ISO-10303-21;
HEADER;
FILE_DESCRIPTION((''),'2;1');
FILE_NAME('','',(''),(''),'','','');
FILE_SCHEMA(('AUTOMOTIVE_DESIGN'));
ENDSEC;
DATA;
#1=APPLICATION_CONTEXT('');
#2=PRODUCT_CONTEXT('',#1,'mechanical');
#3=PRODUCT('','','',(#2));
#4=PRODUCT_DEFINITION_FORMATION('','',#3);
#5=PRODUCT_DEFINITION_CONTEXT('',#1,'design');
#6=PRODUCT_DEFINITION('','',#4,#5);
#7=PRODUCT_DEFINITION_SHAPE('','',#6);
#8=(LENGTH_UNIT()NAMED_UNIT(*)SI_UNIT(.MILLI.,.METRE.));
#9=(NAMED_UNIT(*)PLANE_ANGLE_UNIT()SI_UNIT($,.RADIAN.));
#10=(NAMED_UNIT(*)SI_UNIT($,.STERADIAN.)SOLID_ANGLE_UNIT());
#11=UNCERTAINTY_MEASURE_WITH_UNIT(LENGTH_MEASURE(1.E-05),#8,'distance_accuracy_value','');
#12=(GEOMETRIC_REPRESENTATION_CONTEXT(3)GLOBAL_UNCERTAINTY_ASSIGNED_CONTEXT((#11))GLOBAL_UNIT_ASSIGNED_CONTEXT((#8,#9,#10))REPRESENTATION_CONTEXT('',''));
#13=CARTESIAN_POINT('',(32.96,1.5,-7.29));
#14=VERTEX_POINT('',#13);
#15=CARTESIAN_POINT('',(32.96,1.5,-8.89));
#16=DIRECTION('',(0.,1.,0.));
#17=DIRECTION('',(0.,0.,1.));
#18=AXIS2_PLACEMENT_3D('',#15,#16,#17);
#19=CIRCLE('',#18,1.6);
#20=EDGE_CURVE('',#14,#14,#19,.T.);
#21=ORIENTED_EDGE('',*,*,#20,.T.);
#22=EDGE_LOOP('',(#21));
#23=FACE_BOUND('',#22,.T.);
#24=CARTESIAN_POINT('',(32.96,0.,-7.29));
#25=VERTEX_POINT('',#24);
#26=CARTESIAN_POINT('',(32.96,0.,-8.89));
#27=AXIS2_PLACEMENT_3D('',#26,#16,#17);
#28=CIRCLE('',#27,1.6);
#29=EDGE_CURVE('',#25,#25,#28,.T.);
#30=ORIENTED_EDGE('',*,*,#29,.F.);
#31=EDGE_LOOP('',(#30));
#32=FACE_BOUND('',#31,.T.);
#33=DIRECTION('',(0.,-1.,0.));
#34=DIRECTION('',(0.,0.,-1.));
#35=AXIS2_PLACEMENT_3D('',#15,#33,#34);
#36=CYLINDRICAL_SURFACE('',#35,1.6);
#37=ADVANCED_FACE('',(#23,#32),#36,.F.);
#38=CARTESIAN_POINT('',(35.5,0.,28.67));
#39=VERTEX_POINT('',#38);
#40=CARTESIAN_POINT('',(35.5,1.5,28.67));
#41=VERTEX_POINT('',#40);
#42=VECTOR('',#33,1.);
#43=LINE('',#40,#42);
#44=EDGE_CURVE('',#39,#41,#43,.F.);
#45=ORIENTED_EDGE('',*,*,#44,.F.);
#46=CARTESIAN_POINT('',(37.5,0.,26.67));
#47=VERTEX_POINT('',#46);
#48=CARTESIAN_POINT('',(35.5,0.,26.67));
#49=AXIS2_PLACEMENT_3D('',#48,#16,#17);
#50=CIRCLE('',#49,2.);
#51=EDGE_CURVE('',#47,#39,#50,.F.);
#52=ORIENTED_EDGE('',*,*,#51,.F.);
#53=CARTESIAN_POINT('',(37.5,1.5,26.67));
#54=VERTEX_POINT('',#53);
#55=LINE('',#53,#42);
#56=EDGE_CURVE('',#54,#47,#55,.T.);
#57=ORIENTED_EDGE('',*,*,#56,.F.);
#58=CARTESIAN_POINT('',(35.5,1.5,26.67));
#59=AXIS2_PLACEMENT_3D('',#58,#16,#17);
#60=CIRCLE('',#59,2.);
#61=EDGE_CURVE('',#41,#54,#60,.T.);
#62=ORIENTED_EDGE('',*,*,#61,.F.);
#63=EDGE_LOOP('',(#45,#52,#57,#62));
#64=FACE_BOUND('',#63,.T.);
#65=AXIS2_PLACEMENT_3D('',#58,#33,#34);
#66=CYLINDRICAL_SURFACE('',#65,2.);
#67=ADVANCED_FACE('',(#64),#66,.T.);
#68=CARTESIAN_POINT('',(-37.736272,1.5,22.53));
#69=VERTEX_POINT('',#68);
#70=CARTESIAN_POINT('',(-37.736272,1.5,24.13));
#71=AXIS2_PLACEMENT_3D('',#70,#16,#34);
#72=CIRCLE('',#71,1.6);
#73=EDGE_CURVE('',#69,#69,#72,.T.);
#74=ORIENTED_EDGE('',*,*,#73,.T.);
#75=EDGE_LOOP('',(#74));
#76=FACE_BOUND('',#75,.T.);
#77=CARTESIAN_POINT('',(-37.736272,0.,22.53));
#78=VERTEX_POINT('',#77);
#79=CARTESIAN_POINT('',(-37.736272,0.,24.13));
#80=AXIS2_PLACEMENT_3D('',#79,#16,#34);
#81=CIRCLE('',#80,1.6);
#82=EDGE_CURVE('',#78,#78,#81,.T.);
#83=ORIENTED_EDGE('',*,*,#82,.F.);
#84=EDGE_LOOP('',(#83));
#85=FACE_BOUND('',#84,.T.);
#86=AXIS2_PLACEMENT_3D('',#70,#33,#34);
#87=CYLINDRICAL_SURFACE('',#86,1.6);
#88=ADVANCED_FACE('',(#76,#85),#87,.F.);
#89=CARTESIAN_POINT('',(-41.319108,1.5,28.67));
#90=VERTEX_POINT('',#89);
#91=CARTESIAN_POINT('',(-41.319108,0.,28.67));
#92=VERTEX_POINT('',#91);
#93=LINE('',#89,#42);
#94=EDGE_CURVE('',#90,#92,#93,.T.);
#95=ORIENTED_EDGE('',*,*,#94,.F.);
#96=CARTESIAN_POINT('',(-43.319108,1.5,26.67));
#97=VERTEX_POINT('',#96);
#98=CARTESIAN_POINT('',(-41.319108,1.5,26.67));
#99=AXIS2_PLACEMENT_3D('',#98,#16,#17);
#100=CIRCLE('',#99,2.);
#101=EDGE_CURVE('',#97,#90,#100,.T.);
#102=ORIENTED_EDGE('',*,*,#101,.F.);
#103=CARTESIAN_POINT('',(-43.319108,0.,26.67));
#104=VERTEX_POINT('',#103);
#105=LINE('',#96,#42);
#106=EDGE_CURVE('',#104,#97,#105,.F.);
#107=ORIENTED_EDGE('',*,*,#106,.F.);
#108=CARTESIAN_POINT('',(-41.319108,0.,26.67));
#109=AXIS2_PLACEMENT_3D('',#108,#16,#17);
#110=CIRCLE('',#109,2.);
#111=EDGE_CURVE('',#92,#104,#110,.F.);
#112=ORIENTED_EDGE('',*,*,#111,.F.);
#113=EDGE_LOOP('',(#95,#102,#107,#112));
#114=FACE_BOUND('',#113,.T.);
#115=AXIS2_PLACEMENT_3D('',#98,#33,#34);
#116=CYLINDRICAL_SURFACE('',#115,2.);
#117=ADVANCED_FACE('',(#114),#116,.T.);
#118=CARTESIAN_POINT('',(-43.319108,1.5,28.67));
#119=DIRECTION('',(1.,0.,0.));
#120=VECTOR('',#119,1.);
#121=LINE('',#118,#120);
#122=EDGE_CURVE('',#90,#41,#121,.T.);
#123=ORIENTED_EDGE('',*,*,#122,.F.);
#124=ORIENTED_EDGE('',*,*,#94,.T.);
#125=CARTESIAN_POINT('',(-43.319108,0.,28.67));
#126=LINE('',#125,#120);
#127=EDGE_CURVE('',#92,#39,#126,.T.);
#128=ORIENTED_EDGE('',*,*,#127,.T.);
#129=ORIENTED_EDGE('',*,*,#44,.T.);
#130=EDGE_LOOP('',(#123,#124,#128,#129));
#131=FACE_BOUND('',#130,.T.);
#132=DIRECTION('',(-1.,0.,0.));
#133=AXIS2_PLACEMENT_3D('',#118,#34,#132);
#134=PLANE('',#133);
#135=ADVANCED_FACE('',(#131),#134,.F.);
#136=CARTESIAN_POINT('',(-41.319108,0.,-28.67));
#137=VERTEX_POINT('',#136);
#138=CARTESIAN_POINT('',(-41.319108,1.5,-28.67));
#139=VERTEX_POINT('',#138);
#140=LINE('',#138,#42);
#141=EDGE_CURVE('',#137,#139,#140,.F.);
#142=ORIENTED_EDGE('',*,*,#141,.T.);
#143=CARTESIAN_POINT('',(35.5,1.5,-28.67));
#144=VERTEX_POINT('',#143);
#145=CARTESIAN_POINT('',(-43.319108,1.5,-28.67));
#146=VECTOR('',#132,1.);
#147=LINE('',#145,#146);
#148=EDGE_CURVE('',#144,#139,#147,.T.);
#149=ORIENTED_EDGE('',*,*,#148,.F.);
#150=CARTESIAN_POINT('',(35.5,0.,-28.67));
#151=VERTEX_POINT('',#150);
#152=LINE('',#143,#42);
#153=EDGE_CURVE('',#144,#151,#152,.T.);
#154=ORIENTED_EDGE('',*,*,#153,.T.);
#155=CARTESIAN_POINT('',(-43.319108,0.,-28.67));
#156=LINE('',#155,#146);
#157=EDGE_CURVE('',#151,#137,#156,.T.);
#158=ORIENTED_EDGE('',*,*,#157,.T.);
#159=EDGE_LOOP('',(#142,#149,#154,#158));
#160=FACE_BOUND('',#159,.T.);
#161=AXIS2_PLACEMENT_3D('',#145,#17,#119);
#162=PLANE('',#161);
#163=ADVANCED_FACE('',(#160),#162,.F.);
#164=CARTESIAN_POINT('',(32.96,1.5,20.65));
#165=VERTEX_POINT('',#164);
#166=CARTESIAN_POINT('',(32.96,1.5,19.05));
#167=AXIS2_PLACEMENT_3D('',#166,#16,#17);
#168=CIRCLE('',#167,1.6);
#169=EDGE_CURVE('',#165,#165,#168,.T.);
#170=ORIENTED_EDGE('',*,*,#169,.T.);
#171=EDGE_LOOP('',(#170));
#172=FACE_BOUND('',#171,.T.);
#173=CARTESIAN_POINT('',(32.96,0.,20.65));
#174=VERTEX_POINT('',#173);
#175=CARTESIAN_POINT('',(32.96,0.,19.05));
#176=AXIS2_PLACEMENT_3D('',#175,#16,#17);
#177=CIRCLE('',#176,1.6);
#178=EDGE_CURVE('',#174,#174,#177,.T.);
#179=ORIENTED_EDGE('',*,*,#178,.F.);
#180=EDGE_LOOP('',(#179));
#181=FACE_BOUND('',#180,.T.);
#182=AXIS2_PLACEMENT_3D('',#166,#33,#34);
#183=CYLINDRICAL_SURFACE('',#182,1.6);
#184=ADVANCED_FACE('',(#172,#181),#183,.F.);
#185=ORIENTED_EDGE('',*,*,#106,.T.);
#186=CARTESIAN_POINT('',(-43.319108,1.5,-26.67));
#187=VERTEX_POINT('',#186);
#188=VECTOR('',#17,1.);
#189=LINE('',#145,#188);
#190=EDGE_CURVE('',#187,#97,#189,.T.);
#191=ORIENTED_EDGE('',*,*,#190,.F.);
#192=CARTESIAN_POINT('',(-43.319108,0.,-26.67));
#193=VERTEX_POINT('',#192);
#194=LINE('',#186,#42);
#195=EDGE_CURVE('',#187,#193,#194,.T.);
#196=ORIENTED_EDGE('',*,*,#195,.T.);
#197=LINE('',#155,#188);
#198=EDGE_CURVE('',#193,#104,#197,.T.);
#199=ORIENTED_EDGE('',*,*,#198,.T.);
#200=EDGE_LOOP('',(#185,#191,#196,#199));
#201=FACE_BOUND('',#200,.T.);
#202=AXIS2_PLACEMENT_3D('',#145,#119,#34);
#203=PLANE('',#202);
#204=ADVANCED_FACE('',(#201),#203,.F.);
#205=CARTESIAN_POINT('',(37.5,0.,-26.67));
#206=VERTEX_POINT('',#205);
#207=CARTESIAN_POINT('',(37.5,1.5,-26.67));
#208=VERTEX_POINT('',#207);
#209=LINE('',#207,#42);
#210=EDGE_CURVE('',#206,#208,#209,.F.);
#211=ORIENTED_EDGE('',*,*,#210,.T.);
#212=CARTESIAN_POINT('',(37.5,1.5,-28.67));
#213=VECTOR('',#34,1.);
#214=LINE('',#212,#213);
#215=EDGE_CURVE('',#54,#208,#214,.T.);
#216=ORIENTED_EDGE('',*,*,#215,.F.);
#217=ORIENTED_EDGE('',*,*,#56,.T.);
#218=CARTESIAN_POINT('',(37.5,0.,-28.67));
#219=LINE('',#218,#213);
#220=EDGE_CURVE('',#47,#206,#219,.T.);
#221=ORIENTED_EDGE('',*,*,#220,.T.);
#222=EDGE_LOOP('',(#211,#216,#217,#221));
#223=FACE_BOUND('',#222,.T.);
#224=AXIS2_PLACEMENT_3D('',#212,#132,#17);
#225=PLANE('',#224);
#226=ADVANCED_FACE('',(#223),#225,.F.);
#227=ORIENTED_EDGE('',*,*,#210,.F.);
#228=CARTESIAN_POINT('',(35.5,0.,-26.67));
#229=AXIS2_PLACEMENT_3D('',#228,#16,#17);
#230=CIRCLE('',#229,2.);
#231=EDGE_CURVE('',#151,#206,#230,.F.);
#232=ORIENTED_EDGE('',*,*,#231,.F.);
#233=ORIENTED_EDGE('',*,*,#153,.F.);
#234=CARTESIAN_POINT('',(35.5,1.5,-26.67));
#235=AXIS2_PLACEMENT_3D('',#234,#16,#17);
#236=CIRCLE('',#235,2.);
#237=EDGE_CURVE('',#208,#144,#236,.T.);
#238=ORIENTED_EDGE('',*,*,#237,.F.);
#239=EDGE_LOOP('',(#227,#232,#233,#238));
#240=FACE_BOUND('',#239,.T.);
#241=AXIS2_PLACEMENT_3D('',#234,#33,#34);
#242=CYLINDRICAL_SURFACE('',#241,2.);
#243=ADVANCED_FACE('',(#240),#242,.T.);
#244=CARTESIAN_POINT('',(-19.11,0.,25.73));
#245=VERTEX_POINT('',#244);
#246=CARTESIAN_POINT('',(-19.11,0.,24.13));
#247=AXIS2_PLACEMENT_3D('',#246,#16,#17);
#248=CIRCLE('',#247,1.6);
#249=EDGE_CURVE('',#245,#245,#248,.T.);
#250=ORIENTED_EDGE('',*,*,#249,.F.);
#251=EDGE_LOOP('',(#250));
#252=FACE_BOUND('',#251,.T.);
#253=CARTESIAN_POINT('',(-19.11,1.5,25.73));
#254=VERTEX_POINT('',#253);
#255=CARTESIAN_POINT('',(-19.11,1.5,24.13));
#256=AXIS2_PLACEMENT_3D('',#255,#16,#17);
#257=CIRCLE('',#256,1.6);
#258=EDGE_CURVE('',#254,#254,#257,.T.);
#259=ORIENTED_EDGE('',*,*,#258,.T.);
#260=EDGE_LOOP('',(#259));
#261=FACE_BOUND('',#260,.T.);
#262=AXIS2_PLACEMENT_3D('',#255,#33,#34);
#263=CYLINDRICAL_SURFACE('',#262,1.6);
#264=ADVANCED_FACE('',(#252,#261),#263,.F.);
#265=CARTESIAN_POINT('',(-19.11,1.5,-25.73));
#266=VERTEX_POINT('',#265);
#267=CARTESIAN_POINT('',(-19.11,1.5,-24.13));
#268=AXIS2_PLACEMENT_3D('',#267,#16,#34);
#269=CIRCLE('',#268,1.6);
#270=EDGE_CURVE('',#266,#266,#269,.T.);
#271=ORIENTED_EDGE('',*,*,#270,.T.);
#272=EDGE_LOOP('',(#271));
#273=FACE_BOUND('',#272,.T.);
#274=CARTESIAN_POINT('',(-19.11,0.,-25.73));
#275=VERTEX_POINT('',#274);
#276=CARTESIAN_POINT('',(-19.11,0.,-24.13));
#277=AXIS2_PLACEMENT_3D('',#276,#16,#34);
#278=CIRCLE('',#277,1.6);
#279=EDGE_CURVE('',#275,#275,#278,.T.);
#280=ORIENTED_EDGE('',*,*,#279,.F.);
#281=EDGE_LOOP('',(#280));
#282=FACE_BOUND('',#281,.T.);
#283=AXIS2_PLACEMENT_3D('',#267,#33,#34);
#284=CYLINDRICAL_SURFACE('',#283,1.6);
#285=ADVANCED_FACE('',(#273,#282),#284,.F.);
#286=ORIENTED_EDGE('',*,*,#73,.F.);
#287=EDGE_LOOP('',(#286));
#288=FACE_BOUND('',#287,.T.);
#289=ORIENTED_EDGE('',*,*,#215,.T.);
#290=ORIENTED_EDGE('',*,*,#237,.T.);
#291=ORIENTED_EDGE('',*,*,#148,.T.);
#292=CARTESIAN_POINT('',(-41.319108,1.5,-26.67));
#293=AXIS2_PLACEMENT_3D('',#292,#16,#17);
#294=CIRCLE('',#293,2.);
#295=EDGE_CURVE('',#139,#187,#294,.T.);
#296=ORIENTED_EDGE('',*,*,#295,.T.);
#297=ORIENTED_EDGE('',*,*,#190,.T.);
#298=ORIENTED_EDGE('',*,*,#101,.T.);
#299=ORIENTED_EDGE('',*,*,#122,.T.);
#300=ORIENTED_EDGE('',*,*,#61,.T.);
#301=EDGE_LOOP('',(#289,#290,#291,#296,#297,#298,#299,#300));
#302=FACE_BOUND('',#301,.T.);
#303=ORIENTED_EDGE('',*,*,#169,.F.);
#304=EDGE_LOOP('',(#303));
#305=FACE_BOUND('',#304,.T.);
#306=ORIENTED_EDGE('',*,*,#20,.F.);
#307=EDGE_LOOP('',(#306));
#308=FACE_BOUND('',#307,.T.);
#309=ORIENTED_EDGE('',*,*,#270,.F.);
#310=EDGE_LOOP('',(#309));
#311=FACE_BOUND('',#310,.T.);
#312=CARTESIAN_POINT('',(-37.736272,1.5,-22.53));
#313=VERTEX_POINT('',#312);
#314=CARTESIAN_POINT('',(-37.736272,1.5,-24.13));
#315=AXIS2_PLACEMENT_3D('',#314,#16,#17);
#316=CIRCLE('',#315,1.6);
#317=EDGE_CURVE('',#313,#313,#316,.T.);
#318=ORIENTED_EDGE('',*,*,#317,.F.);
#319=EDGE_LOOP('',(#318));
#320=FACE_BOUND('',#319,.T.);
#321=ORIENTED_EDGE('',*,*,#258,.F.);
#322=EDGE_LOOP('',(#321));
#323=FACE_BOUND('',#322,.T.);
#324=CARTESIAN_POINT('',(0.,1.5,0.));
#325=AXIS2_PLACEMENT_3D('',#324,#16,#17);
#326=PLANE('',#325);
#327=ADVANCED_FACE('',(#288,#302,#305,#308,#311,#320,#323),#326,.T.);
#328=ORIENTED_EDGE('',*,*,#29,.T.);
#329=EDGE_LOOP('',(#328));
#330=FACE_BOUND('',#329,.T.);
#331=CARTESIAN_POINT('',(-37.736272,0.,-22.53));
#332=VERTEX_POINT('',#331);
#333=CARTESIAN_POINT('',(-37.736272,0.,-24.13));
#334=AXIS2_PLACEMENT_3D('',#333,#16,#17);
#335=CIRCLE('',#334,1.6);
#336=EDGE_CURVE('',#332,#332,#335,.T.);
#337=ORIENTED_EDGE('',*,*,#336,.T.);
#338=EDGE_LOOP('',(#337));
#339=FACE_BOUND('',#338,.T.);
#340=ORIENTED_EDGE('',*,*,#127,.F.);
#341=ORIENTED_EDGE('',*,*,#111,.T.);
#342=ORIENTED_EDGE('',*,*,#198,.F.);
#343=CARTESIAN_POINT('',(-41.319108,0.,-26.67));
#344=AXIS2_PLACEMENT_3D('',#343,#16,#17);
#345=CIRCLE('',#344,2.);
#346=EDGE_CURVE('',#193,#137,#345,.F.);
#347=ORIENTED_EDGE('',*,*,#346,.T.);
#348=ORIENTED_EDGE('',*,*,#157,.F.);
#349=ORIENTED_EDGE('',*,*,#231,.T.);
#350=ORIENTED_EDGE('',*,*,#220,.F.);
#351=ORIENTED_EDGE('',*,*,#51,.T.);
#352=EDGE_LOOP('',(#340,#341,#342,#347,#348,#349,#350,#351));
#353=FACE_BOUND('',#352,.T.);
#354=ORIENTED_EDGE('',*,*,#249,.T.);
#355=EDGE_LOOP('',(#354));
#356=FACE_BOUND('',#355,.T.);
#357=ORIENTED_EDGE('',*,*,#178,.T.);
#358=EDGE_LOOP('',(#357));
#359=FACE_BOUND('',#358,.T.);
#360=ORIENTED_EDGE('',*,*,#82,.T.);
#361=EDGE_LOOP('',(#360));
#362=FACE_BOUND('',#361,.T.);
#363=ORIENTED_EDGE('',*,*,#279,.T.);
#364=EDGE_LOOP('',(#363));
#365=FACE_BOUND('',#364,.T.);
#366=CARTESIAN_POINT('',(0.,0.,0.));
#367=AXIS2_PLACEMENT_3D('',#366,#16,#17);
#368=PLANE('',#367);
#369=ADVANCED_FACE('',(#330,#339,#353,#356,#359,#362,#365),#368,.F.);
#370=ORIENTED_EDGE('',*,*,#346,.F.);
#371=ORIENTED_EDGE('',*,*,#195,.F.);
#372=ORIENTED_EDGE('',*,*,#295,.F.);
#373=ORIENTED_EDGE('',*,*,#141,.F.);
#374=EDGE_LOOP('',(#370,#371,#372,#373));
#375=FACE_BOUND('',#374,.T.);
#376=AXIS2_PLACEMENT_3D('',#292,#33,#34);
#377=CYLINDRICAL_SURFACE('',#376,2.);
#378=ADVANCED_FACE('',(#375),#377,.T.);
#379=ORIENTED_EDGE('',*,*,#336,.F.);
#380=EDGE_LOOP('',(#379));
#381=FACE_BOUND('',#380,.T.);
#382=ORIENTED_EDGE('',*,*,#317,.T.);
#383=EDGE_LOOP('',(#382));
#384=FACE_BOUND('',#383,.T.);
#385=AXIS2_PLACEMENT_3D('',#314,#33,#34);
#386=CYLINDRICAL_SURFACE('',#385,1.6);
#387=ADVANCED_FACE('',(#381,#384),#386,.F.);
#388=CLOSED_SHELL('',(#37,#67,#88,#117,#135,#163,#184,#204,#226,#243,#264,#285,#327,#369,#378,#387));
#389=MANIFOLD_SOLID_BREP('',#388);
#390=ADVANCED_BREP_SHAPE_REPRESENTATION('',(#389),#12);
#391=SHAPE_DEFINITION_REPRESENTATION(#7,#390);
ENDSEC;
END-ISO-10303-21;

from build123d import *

# Parameters (mm, degrees)
SKETCH_2_W      = 80.819107854
SKETCH_2_H      = 57.34
SKETCH_2_R      = 1.6
EXTRUDE_1_DEPTH = 1.5
FILLET_1_R      = 2


with BuildPart() as part:
    # 스케치2 → 보스-돌출1 (new body)
    with BuildSketch(Plane(origin=(0, 0, 0), x_dir=(1, 0, 0), z_dir=(0, 1, 0))):
        with Locations((-2.909553927, 0)):
            Rectangle(SKETCH_2_W, SKETCH_2_H)
        with Locations(Location((-37.73627176, 24.13, 0), (0, 0, 270))):
            Circle(SKETCH_2_R, mode=Mode.SUBTRACT)
        with Locations(Location((-37.73627176, -24.13, 0), (0, 0, 90))):
            Circle(SKETCH_2_R, mode=Mode.SUBTRACT)
        with BuildLine():
            ThreePointArc((31.36, 8.89), (32.96, 7.29), (34.56, 8.89))
            ThreePointArc((34.56, 8.89), (32.96, 10.49), (31.36, 8.89))
        make_face(mode=Mode.SUBTRACT)
        with BuildLine():
            ThreePointArc((31.36, -19.05), (32.96, -20.65), (34.56, -19.05))
            ThreePointArc((34.56, -19.05), (32.96, -17.45), (31.36, -19.05))
        make_face(mode=Mode.SUBTRACT)
        with BuildLine():
            ThreePointArc((-20.71, -24.13), (-19.11, -25.73), (-17.51, -24.13))
            ThreePointArc((-17.51, -24.13), (-19.11, -22.53), (-20.71, -24.13))
        make_face(mode=Mode.SUBTRACT)
        with BuildLine():
            ThreePointArc((-20.71, 24.13), (-19.11, 25.73), (-17.51, 24.13))
            ThreePointArc((-17.51, 24.13), (-19.11, 22.53), (-20.71, 24.13))
        make_face(mode=Mode.SUBTRACT)
    extrude(amount=EXTRUDE_1_DEPTH)

    # 필렛1
    fillet_1_edges = [part.edges().sort_by_distance(p)[0] for p in [
        (37.5, 0.75, 28.67),
        (-43.319107854, 0.75, 28.67),
        (-43.319107854, 0.75, -28.67),
        (37.5, 0.75, -28.67),
    ]]
    fillet(fillet_1_edges, radius=FILLET_1_R)


solid = part.part
